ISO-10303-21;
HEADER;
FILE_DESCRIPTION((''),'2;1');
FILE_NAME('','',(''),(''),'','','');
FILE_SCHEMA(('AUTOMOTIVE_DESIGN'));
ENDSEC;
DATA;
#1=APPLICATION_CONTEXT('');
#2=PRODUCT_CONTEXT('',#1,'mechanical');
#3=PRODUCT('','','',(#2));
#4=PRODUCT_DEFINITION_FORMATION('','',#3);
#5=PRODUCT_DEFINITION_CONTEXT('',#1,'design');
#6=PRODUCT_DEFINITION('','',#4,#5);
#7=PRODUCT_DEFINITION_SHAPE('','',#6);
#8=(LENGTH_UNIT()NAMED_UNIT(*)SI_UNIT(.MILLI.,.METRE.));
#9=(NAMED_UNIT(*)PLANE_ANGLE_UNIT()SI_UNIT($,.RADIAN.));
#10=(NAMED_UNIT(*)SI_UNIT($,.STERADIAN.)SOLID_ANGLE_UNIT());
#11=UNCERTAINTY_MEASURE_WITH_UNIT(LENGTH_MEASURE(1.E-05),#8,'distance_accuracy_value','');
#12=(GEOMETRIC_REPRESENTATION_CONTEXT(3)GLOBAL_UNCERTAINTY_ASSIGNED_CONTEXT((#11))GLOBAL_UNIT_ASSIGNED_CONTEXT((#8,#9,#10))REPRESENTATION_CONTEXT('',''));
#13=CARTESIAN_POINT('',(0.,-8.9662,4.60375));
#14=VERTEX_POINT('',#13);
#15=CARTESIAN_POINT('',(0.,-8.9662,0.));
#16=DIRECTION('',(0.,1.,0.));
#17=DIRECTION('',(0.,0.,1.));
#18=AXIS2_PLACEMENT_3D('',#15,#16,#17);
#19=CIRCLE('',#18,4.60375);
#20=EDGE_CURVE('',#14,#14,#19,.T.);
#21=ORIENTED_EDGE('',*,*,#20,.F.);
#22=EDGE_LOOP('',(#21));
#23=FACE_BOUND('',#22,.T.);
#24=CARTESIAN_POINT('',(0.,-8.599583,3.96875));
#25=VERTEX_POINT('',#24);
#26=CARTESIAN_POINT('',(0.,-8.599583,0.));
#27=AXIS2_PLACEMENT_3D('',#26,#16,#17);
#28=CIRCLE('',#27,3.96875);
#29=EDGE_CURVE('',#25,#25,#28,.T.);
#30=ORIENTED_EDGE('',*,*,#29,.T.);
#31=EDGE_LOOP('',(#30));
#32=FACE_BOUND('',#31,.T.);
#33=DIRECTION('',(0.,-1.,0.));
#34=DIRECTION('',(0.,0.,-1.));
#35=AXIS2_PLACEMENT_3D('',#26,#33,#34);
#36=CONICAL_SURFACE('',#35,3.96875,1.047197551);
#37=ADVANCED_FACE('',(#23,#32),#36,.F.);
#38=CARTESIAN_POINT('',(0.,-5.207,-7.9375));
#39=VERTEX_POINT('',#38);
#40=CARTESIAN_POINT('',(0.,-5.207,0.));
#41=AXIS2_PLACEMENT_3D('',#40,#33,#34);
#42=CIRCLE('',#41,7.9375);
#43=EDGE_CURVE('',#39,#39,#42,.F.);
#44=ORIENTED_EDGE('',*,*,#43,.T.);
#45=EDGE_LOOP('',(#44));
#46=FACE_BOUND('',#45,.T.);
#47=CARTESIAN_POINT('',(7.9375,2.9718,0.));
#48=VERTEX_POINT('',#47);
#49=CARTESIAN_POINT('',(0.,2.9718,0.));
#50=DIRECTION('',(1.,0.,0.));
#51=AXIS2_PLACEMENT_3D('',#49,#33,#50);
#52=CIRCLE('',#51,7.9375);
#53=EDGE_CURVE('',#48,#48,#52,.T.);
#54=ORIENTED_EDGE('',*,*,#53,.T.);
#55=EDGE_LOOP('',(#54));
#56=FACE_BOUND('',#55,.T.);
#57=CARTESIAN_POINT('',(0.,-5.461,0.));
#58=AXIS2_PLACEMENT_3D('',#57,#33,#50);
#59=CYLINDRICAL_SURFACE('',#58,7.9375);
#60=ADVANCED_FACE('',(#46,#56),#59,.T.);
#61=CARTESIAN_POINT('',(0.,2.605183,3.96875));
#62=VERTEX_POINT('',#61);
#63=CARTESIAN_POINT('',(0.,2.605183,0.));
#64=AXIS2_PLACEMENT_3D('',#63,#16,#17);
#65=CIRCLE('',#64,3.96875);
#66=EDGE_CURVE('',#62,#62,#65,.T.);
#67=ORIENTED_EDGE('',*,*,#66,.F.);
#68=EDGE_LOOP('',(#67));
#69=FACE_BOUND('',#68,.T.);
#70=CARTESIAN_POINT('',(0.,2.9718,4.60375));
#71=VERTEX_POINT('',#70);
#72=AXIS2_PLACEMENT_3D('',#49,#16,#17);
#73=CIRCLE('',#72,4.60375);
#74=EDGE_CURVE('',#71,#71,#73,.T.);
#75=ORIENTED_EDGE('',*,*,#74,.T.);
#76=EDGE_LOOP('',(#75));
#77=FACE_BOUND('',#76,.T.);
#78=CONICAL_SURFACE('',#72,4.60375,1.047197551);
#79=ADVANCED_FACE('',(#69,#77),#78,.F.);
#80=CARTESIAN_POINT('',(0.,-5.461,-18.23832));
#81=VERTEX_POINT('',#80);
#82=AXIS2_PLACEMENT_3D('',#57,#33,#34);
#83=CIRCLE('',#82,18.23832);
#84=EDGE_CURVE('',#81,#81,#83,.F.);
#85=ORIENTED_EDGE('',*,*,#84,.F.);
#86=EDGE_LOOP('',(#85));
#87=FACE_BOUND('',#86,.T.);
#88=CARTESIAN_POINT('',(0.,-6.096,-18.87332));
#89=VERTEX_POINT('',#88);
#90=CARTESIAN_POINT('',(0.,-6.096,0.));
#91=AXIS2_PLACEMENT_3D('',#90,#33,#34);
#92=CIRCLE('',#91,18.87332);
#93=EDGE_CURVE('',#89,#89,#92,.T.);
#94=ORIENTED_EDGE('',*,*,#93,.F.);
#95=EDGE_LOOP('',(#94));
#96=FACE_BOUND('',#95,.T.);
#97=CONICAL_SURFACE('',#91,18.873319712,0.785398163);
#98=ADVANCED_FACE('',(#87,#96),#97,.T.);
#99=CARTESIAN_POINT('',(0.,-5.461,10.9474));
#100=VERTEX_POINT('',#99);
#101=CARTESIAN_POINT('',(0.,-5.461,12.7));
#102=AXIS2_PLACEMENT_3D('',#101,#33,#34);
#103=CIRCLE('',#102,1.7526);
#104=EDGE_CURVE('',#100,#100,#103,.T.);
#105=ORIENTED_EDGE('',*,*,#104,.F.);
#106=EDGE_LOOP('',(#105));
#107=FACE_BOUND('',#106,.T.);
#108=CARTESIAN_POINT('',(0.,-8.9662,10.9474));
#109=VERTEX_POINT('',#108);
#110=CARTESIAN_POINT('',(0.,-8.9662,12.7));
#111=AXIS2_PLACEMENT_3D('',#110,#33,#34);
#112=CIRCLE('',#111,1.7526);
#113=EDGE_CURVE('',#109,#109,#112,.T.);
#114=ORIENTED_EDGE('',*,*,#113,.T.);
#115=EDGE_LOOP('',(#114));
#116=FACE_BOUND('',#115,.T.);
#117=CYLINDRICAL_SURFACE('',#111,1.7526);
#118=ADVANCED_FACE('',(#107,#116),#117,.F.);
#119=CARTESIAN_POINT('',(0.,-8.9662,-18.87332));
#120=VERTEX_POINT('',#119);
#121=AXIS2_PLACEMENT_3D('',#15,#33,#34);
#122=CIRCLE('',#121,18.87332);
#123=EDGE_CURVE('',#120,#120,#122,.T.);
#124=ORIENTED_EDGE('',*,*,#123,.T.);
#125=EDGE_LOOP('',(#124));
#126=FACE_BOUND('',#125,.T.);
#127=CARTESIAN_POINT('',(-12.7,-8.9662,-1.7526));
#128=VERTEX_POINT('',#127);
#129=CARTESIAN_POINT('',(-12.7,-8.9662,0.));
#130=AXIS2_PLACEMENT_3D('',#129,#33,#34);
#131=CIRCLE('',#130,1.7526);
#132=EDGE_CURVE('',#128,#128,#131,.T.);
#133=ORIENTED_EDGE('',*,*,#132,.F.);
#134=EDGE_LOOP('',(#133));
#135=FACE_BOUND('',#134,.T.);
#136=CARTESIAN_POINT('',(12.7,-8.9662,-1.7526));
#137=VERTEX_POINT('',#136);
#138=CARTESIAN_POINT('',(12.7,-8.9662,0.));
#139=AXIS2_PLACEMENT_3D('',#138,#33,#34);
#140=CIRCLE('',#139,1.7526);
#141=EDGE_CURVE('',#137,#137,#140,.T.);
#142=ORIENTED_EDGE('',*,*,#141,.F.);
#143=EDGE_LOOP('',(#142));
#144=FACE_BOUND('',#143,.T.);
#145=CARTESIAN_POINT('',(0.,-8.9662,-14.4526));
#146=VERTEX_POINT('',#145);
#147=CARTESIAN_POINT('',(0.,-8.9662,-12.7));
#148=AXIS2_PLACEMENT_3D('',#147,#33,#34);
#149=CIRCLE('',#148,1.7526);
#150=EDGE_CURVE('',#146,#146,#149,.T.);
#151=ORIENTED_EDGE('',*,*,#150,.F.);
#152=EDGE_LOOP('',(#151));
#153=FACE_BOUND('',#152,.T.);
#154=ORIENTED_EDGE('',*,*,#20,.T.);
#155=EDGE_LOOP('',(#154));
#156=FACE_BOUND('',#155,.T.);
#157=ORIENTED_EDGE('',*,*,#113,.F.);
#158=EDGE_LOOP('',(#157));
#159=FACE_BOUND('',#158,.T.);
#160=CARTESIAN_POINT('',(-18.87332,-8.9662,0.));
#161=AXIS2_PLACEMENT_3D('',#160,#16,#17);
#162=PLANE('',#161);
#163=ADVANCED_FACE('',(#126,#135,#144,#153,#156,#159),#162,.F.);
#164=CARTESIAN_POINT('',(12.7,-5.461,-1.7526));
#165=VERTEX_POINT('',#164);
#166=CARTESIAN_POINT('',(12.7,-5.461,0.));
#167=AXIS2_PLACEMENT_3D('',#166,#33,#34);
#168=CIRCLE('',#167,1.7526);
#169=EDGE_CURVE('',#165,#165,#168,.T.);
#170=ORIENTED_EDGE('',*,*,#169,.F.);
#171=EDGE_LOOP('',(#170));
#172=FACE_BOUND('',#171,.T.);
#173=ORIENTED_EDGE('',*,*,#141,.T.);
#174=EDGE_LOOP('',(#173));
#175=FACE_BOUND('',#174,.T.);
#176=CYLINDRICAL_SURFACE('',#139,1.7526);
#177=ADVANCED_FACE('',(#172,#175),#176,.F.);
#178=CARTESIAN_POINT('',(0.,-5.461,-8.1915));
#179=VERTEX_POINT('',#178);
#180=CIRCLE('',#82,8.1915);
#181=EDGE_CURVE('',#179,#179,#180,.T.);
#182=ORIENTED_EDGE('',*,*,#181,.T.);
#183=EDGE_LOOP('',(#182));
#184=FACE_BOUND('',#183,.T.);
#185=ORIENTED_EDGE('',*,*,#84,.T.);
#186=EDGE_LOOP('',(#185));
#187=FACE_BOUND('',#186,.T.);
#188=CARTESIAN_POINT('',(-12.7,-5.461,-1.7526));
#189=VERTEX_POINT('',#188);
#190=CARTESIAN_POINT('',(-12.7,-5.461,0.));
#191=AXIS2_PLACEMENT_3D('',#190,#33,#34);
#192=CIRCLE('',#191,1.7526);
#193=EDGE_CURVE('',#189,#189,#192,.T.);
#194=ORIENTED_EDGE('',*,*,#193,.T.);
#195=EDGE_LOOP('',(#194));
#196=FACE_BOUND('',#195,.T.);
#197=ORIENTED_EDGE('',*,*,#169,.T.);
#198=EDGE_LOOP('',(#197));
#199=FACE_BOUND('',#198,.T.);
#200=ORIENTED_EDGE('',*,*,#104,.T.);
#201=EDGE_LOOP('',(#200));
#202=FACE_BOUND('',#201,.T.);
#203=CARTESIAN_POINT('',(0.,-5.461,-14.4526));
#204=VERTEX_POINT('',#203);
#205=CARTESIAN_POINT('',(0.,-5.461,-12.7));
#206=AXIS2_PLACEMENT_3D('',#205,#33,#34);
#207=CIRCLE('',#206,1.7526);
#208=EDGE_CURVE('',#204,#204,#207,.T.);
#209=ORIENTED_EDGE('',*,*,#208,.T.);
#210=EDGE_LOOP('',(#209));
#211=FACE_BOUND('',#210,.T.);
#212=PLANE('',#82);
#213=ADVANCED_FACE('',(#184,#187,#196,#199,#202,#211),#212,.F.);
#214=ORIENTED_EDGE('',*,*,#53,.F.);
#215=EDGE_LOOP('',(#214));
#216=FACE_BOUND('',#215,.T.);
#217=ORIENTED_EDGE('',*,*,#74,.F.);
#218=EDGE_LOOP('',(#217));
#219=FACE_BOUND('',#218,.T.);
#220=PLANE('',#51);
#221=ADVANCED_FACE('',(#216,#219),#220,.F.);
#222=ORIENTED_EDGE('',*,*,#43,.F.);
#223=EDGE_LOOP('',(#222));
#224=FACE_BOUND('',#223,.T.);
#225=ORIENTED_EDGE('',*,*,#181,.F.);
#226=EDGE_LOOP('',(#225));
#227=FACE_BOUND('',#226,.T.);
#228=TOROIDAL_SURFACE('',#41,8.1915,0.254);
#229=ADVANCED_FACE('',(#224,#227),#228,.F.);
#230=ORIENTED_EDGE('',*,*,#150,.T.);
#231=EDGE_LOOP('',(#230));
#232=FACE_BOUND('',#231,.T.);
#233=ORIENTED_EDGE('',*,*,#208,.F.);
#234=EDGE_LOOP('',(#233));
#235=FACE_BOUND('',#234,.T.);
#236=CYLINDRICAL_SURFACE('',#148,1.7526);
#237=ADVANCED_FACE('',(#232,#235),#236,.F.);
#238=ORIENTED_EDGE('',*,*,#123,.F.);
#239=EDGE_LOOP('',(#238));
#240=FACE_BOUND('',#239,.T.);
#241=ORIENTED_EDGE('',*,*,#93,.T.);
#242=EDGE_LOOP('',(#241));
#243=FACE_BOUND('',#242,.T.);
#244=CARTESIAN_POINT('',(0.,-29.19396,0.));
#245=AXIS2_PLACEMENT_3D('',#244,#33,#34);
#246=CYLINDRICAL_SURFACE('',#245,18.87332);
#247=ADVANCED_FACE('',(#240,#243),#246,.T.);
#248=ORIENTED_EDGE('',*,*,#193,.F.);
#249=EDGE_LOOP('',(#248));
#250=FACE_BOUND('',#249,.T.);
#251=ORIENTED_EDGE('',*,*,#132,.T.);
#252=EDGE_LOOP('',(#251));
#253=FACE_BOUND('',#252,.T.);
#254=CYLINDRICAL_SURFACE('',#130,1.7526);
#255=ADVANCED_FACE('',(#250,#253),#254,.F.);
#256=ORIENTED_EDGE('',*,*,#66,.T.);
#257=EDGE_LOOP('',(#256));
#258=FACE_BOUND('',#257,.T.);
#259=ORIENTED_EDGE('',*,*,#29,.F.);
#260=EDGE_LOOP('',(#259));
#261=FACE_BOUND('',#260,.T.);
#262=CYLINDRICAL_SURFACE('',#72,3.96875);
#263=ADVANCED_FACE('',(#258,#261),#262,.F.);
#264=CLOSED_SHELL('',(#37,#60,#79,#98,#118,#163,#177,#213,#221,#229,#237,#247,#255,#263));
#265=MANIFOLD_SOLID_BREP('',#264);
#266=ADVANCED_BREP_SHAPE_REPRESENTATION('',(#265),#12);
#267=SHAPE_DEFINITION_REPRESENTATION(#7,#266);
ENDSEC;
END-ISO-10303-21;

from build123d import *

# Parameters (mm, degrees)
SKETCH1_W                          = 8.4328
SKETCH1_H                          = 7.9375
F_5_16_24_TAPPED_HOLE1_D           = 7.9375
F_5_16_24_TAPPED_HOLE1_DEPTH       = 8.4328
F_5_16_24_TAPPED_HOLE1_CSINK_D     = 9.2075
F_5_16_24_TAPPED_HOLE1_CSINK_ANGLE = 120
SKETCH4_W                          = 18.873319712
SKETCH4_H                          = 3.5052
FILLET1_R                          = 0.254
F_6_32_TAPPED_HOLE1_D              = 3.5052
F_6_32_TAPPED_HOLE1_DEPTH          = 3.5062
CIRPATTERN1_COUNT                  = 4
CHAMFER1_SIZE                      = 0.635


with BuildPart() as part:
    # Sketch1 → Base-Revolve (revolve)
    with BuildSketch(Plane(origin=(0, 0, 0), x_dir=(0, 1, 0), z_dir=(0, 0, 1)), mode=Mode.PRIVATE) as base_revolve_sk:
        with Locations((-1.2446, 3.96875)):
            Rectangle(SKETCH1_W, SKETCH1_H)
    revolve(base_revolve_sk.sketch.rotate(Axis((0, -5.461, 0), (0, 1, 0)), 180), axis=Axis((0, -5.461, 0), (0, 1, 0)))  # turned: the seam where the file's is

    # 5_16-24 Tapped Hole1
    with Locations(Plane(origin=(0, 2.9718, 0), x_dir=(-1, 0, 0), z_dir=(0, 1, 0))):
        with Locations((0, 0)):
            CounterSinkHole(F_5_16_24_TAPPED_HOLE1_D / 2, F_5_16_24_TAPPED_HOLE1_CSINK_D / 2, depth=F_5_16_24_TAPPED_HOLE1_DEPTH, counter_sink_angle=F_5_16_24_TAPPED_HOLE1_CSINK_ANGLE)

    # Sketch4 → Revolve1 (revolve)
    with BuildSketch(Plane.XY, mode=Mode.PRIVATE) as revolve1_sk:
        with Locations((-9.436659856, -7.2136)):
            Rectangle(SKETCH4_W, SKETCH4_H)
    revolve(revolve1_sk.sketch.rotate(Axis((0, -29.193959905, 0), (0, 1, 0)), 180), axis=Axis((0, -29.193959905, 0), (0, 1, 0)))  # turned: the seam where the file's is

    # Sketch5 → 5_16-18 Tapped Hole2 (revolve, cut)
    with BuildSketch(Plane(origin=(0, -5.461, 0), x_dir=(0, 0, 1), z_dir=(1, 0, 0))):
        Polygon((0, 0), (0, 3.5052), (4.60375, 3.5052), (3.96875, 3.138582579), (3.96875, 0), align=None)
    revolve(axis=Axis((0, 0.889, 0), (0, -1, 0)), mode=Mode.SUBTRACT)

    # Fillet1
    fillet1_edges = [part.edges().sort_by_distance(p)[0] for p in [
        (-7.9375, -5.461, 0),
    ]]
    fillet(fillet1_edges, radius=FILLET1_R)

    # 6-32 Tapped Hole1
    with Locations(Plane.XZ.offset(8.9662)):
        with Locations((0, 12.7)):
            f_6_32_tapped_hole1 = Hole(F_6_32_TAPPED_HOLE1_D / 2, depth=F_6_32_TAPPED_HOLE1_DEPTH)

    # CirPattern1: 6-32 Tapped Hole1 ×4 about axis
    cirpattern1_axis = Axis((0, 0, 0), (0, 1, 0))
    for i in range(1, CIRPATTERN1_COUNT):
        add(f_6_32_tapped_hole1.rotate(cirpattern1_axis, i * 360 / CIRPATTERN1_COUNT), mode=Mode.SUBTRACT)

    # Chamfer1
    chamfer1_edges = [part.edges().sort_by_distance(p)[0] for p in [
        (-18.873319712, -5.461, 0),
    ]]
    chamfer(chamfer1_edges, length=CHAMFER1_SIZE)


solid = part.part
